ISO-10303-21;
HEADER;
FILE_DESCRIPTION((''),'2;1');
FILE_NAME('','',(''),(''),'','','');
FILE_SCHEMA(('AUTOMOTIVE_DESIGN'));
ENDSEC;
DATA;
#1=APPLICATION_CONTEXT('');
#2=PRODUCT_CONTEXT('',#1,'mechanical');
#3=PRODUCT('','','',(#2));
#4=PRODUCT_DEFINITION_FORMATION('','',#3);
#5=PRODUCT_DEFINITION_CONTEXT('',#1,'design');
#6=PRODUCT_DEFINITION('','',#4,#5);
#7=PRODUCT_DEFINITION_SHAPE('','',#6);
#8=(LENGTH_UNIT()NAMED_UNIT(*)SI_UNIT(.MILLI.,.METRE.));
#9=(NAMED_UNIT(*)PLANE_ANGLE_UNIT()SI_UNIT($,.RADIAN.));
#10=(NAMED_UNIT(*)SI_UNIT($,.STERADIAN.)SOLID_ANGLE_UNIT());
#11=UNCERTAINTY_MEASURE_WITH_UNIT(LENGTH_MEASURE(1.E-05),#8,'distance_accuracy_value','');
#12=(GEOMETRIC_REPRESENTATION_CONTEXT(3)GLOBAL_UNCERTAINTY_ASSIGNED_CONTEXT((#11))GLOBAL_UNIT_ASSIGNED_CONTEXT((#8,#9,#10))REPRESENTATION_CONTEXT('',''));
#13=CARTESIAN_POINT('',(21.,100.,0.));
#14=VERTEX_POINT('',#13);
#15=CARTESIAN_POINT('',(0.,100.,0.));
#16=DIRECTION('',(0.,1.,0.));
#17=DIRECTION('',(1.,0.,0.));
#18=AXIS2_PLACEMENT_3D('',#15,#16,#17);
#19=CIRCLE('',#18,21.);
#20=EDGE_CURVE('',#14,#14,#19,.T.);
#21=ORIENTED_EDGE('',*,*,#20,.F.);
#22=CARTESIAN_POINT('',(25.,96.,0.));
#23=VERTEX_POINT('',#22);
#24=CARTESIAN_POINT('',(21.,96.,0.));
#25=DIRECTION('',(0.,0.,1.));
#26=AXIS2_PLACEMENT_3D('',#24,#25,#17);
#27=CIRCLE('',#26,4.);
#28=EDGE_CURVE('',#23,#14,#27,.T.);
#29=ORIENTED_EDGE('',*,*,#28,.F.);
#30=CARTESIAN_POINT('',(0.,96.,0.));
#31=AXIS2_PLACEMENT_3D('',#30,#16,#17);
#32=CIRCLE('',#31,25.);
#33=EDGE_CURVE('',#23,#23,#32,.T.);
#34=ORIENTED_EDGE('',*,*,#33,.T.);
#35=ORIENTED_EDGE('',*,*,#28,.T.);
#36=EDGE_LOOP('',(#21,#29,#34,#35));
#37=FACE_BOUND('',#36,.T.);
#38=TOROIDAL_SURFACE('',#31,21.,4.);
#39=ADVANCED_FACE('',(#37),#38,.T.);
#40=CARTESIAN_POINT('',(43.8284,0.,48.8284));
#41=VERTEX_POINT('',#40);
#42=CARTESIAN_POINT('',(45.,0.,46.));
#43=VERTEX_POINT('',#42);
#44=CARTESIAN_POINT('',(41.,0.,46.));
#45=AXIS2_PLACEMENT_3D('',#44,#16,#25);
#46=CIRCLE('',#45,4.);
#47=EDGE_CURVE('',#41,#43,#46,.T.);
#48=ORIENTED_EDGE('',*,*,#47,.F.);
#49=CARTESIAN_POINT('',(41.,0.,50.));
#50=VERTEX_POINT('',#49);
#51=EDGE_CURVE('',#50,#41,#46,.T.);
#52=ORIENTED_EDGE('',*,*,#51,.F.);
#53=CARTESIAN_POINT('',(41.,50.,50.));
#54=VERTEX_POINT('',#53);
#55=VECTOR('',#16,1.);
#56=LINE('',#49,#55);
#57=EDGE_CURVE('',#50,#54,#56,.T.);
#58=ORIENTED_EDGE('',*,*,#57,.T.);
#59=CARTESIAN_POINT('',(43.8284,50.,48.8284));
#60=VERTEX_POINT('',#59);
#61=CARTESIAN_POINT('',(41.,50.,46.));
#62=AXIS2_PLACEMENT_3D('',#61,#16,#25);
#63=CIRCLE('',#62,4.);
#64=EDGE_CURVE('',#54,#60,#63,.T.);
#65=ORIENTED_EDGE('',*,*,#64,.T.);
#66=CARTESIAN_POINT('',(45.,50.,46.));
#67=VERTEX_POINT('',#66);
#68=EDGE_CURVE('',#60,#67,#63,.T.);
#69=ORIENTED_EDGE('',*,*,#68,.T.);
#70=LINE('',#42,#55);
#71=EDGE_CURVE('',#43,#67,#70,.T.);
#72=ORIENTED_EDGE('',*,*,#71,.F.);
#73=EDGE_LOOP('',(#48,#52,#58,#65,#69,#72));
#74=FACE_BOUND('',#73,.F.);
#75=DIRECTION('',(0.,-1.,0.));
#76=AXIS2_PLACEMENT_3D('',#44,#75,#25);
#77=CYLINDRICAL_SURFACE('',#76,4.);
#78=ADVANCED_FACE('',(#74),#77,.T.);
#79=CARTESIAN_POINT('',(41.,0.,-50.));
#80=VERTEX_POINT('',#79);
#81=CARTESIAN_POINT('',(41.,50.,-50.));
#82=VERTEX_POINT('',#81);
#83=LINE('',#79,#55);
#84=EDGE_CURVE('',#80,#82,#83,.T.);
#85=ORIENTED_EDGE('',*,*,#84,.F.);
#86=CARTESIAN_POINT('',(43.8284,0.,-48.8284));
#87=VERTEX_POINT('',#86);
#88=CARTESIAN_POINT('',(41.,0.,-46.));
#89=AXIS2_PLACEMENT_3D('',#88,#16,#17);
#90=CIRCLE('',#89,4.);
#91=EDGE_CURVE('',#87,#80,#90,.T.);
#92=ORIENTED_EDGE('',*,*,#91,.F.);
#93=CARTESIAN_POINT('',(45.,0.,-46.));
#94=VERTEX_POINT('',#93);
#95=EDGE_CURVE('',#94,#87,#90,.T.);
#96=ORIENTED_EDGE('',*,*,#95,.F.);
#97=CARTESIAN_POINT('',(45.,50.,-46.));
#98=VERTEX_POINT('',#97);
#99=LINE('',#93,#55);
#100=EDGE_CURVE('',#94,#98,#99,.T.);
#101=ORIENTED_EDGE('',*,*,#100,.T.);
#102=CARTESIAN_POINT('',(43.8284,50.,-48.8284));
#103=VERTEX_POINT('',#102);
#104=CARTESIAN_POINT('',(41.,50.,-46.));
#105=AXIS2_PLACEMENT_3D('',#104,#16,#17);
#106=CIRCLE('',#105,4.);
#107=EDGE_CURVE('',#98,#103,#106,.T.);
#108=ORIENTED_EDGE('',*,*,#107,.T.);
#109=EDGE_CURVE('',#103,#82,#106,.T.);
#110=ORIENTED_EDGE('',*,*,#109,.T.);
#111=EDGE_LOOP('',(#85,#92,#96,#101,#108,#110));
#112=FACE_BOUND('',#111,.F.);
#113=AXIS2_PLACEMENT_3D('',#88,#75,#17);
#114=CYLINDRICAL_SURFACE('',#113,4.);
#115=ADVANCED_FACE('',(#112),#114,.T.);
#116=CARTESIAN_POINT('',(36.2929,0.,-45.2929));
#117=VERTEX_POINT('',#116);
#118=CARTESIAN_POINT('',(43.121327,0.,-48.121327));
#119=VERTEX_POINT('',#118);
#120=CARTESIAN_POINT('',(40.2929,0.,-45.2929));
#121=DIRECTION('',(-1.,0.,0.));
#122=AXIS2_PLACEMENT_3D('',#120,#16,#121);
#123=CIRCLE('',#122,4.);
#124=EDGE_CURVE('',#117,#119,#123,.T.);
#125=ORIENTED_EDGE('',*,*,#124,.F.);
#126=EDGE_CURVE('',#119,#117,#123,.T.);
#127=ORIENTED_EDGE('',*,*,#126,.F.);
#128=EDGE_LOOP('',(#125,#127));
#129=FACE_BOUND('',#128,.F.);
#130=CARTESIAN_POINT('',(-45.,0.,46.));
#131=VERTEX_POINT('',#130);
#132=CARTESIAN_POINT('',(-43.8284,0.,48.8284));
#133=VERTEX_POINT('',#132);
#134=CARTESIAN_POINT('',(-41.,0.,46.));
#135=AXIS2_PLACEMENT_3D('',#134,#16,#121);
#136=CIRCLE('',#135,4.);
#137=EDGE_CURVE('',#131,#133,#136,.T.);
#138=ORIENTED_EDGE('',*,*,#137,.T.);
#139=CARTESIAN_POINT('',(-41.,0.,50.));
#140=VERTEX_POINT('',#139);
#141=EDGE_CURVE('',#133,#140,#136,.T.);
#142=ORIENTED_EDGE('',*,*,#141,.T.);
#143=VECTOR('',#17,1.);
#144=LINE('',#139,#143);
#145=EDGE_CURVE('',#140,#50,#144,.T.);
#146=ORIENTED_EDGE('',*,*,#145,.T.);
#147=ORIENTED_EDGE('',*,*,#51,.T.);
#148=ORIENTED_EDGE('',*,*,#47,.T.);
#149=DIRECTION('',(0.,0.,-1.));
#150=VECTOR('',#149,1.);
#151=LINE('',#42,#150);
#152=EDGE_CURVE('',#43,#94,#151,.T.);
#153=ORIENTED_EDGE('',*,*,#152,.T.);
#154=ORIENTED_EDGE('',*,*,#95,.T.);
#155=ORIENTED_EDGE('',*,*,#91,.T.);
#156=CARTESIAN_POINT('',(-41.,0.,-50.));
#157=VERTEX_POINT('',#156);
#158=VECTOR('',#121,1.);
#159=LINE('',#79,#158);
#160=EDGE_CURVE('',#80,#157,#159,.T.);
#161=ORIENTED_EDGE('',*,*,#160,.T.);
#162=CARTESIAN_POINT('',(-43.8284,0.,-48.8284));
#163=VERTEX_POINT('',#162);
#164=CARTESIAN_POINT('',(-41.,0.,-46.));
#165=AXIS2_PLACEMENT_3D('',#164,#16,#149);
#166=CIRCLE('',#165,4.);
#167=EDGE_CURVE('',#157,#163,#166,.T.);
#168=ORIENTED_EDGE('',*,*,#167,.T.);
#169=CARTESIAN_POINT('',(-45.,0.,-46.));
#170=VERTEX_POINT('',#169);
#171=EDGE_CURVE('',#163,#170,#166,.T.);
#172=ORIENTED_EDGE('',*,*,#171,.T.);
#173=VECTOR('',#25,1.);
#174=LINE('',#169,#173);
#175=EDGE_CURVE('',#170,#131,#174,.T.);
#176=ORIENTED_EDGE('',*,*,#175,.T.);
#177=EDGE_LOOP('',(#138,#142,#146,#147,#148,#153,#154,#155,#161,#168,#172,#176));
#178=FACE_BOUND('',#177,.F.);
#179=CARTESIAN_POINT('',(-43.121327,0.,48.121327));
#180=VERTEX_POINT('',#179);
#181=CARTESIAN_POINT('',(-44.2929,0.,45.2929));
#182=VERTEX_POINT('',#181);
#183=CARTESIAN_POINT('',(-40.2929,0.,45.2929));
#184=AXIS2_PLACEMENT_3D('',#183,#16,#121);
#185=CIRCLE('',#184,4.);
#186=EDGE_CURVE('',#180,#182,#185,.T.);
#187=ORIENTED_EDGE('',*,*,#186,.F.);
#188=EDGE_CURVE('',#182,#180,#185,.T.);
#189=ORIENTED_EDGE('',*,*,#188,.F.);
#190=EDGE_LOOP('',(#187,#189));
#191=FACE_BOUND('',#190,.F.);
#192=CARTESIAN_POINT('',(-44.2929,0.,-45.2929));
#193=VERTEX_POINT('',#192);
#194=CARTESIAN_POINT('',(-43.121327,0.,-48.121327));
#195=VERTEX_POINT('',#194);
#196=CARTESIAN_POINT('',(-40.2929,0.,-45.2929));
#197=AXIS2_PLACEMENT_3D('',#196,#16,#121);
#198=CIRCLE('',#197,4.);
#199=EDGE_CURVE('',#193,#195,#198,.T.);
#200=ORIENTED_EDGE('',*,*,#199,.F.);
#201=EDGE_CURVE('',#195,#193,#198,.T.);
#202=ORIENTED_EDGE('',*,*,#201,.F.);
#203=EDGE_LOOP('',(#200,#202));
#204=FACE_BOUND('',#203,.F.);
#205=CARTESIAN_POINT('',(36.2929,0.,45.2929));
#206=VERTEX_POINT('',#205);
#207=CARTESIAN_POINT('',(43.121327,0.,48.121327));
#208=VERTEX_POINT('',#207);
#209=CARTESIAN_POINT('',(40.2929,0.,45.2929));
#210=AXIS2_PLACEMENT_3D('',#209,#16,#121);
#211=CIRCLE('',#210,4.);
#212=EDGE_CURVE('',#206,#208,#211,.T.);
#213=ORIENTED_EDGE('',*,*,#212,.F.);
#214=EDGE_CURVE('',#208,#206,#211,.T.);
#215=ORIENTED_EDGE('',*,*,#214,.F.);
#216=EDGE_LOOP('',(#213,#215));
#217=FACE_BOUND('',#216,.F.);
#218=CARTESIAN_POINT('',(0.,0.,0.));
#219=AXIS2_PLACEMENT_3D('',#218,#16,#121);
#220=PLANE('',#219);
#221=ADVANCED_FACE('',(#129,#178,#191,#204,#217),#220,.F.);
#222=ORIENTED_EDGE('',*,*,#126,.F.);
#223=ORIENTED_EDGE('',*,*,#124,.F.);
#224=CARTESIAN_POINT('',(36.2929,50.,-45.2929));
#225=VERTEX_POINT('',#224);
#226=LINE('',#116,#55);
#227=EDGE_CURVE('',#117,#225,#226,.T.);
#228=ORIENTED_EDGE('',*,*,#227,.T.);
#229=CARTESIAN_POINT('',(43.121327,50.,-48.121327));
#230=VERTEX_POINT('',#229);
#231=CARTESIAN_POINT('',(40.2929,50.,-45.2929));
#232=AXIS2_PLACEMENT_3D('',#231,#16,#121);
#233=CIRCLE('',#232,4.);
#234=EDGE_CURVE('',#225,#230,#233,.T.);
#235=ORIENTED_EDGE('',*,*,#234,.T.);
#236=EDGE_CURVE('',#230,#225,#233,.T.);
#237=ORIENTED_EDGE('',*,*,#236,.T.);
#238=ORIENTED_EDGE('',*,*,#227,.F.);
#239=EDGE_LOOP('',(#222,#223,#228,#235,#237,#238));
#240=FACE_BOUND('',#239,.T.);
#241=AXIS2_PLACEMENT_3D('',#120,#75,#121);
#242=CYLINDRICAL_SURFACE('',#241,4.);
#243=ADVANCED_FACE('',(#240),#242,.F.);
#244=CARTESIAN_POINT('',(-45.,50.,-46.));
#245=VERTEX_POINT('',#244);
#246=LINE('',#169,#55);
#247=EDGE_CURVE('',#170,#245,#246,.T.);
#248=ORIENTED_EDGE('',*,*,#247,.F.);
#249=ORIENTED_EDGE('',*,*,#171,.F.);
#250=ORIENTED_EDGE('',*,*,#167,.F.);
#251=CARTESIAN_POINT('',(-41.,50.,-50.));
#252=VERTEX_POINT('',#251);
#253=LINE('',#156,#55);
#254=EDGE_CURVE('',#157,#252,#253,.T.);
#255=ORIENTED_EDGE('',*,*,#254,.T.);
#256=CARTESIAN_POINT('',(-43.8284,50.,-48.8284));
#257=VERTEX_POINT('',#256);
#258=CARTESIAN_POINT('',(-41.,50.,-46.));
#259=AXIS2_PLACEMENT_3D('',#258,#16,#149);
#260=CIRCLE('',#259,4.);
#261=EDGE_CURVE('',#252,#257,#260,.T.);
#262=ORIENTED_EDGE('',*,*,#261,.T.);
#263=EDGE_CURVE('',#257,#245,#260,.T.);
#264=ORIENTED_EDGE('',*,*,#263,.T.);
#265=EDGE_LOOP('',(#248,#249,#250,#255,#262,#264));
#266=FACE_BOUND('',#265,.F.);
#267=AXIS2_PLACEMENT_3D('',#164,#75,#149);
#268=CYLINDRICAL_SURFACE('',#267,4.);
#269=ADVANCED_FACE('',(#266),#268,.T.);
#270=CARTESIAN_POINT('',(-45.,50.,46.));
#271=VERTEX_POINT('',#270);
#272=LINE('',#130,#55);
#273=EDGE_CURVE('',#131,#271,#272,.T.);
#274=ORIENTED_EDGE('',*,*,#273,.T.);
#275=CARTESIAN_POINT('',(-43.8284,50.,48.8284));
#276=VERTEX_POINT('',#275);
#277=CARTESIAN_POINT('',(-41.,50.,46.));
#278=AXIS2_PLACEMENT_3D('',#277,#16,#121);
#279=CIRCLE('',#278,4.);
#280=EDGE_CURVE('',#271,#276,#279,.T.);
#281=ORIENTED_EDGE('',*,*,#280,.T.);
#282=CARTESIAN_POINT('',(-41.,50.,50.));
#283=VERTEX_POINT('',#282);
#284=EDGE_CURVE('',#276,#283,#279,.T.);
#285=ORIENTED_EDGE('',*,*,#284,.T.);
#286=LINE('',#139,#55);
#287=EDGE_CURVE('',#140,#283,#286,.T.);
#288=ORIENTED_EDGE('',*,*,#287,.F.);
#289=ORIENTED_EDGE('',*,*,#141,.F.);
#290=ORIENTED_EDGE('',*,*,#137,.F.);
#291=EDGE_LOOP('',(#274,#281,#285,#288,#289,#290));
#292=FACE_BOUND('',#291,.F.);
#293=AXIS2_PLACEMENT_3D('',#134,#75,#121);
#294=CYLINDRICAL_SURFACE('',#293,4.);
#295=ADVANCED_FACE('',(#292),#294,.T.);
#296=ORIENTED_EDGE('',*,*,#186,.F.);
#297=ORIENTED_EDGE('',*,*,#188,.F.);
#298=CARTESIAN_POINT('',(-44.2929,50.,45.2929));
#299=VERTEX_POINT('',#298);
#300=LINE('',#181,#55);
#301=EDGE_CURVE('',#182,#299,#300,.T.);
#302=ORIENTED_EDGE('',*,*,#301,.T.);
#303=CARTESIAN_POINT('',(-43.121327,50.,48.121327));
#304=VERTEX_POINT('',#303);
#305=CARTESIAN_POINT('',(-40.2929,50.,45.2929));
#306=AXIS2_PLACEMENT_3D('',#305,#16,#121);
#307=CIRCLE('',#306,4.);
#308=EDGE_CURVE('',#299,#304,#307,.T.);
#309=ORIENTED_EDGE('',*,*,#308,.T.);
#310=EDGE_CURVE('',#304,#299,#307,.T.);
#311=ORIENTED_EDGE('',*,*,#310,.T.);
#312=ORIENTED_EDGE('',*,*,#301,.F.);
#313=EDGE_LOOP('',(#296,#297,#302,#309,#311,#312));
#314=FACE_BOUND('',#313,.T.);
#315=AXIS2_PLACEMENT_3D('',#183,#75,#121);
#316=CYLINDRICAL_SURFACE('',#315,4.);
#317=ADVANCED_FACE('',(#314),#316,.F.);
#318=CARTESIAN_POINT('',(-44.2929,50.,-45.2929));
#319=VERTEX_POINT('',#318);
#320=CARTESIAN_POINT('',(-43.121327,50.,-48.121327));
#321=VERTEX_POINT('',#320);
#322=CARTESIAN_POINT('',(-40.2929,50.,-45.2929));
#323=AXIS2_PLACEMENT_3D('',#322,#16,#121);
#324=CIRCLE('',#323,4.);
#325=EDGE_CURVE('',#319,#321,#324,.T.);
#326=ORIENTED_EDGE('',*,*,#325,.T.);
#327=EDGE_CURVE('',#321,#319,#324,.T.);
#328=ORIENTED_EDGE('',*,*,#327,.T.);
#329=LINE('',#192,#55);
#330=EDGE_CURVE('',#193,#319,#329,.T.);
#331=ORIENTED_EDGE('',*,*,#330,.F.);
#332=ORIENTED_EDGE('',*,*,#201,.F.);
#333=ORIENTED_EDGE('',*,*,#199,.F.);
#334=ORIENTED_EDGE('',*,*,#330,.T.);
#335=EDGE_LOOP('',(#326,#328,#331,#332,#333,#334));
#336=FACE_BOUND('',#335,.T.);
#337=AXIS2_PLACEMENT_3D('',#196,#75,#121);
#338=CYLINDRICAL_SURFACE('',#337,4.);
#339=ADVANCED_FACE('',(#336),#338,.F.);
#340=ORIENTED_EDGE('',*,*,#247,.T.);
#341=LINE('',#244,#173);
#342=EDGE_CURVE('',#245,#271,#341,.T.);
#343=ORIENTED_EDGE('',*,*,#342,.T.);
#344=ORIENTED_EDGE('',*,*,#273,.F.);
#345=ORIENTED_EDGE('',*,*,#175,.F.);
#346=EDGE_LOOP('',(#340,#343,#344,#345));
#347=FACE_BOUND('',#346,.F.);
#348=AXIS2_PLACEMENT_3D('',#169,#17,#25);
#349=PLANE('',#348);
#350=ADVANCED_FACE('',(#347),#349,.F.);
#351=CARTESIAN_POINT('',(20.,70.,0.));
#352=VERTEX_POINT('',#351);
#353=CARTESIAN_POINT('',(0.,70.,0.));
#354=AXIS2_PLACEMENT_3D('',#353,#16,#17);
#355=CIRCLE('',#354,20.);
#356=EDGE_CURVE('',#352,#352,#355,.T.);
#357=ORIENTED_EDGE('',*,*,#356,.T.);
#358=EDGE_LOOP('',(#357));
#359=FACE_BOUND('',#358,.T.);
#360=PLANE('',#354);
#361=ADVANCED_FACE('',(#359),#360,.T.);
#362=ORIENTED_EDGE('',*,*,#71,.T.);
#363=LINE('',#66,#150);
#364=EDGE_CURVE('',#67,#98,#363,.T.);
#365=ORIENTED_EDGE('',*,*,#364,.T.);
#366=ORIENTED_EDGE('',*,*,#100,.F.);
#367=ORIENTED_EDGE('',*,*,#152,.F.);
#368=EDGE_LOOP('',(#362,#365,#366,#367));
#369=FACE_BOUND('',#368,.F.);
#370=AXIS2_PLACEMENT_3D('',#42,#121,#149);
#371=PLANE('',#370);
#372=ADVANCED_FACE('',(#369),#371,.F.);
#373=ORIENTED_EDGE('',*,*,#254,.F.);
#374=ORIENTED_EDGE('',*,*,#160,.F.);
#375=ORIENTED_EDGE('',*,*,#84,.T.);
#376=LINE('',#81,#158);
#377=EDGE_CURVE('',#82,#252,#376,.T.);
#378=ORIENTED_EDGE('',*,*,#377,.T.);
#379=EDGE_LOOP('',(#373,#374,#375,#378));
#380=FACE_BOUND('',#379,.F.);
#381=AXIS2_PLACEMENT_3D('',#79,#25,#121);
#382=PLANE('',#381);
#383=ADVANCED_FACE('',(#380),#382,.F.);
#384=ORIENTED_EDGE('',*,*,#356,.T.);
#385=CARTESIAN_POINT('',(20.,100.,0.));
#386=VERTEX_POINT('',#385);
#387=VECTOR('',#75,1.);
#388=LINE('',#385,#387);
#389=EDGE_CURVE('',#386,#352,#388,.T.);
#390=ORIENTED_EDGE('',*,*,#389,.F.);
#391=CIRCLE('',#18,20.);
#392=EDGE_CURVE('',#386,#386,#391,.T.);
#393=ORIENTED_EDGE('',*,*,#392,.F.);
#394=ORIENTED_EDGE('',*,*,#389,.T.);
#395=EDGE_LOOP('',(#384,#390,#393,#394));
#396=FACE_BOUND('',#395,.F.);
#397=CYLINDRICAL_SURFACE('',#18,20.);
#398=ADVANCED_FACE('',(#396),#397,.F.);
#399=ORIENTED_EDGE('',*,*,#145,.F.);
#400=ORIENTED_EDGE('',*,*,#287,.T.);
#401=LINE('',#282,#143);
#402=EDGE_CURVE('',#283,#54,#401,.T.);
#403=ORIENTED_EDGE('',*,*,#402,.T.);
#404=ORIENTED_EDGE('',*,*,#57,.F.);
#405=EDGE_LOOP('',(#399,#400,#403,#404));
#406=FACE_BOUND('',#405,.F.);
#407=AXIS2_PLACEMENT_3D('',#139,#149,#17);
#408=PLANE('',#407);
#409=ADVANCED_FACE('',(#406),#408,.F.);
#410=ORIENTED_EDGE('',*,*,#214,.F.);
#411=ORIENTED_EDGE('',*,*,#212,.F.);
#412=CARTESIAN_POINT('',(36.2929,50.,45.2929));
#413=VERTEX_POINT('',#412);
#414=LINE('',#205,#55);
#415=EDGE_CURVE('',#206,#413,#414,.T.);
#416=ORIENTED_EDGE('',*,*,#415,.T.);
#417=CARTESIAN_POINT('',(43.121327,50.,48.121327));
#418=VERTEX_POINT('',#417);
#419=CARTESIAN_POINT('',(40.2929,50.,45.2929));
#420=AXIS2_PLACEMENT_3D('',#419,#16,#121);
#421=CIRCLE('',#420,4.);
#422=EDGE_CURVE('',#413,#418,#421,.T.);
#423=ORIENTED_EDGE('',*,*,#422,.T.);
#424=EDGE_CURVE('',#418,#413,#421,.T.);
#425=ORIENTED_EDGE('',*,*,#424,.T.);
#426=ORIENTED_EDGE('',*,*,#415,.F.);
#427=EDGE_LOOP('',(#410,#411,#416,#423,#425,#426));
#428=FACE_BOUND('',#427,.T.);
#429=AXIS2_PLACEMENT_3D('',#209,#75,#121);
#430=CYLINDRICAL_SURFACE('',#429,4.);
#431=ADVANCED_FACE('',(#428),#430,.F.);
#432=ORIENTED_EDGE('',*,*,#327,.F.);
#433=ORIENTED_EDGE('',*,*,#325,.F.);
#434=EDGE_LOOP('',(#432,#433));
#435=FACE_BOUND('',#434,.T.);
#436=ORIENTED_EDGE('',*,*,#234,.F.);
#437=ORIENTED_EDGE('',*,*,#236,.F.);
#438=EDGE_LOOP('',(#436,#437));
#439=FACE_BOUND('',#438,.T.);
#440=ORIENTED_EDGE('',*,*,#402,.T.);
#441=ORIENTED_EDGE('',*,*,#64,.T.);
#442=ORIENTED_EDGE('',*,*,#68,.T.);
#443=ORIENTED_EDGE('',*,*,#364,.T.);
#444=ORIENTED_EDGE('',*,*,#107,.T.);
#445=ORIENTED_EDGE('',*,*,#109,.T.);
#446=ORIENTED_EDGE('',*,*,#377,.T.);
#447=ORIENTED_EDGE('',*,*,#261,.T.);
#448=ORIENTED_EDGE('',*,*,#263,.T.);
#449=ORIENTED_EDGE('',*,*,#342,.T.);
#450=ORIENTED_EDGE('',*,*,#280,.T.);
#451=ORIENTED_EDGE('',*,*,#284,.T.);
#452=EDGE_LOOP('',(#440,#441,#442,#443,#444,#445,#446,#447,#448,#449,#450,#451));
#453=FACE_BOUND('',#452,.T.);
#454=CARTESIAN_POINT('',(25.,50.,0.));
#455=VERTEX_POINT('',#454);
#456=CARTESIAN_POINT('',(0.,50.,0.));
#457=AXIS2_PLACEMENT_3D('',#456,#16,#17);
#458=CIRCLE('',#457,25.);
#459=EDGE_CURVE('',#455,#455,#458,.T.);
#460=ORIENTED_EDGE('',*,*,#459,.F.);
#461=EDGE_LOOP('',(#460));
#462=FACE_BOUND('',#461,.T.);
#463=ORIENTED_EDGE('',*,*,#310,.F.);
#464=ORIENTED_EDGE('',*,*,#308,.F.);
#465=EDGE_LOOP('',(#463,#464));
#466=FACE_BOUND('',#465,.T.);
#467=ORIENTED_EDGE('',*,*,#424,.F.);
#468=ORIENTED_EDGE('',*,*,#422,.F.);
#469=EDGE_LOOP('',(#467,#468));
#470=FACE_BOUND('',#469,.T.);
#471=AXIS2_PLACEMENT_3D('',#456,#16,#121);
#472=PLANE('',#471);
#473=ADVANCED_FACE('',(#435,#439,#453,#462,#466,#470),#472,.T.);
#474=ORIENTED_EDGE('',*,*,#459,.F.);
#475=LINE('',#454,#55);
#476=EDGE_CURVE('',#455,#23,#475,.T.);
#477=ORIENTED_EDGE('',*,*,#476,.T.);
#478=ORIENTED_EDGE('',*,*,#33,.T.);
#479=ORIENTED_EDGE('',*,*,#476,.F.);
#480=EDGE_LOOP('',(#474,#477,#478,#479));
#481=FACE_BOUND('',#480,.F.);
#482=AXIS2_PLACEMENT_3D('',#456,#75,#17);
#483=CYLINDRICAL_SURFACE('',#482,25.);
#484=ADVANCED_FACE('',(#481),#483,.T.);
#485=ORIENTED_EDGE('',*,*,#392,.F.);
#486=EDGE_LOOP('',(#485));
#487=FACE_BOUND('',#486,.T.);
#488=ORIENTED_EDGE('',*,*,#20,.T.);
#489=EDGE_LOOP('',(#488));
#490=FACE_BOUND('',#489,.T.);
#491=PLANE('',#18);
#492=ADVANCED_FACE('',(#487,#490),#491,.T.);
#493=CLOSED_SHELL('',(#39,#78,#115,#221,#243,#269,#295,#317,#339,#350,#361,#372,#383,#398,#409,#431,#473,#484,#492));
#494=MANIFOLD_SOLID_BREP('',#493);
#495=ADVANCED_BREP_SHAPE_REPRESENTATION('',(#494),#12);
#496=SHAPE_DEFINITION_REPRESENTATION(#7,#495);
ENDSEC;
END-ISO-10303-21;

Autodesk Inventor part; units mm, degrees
ref_plane "YZ Plane" through (0, 0, 0) normal (1, 0, 0) x (0, 1, 0)
ref_plane "XZ Plane" through (0, 0, 0) normal (0, 1, 0) x (-1, 0, 0)
ref_plane "XY Plane" through (0, 0, 0) normal (0, 0, 1) x (1, 0, 0)
sketch "Boceto1" plane through (0, 0, 0) normal (0, 1, 0) x (-1, 0, 0)
  line L0 (41, 50) -> (-41, 50)
  line L1 (-45, 46) -> (-45, -46)
  line L2 (-41, -50) -> (41, -50)
  line L3 (45, -46) -> (45, 46)
  line L4 (45, 50) -> (-45, -50) construction
  line L5 (-45, 50) -> (45, -50) construction
  arc A0 (45, 46) -> (41, 50) centre (41, 46) ccw
  arc A1 (41, -50) -> (45, -46) centre (41, -46) ccw
  arc A2 (-41, 50) -> (-45, 46) centre (-41, 46) ccw
  arc A3 (-45, -46) -> (-41, -50) centre (-41, -46) ccw
  line L6 (43.8284, -48.8284) -> (40.2929, -45.2929)
  line L7 (-43.8284, -48.8284) -> (-40.2929, -45.2929)
  line L8 (-43.8284, 48.8284) -> (-40.2929, 45.2929)
  circle A4 centre (-40.2929, 45.2929) radius 4
  line L9 (43.8284, 48.8284) -> (40.2929, 45.2929)
  circle A5 centre (40.2929, 45.2929) radius 4
  circle A6 centre (40.2929, -45.2929) radius 4
  circle A7 centre (-40.2929, -45.2929) radius 4
  point P0 (0, 0)
  dimension "d1" = 90
  dimension "d2" = 100
  dimension "d3" = 4
  dimension "d5" = 5
  dimension "d6" = 5
  dimension "d7" = 5
  dimension "d9" = 8
  dimension "d10" = 5
  dimension "d11" = 8
  dimension "d12" = 8
  dimension "d13" = 8
extrude "Extrusión1" add sketch "Boceto1" along normal blind 50
sketch "Boceto2" plane through (0, 50, 0) normal (0, 1, 0) x (1, 0, 0)
  circle A0 centre (0, 0) radius 25
  dimension "d16" = 50
extrude "Extrusión2" add sketch "Boceto2" along normal blind 50
sketch "Boceto3" plane through (0, 100, 0) normal (0, 1, 0) x (1, 0, 0)
  circle A0 centre (0, 0) radius 20
  dimension "d19" = 40
extrude "Extrusión3" cut sketch "Boceto3" against normal blind 30
thread "Rosca1" size "M50x4" class "6H" standard "ANSI Metric M Profile" full length
fillet "Empalme1" radius 4 1 edges at (-25, 100, 0)
properties part number "Tarea 01 Ayala Dinamica"
